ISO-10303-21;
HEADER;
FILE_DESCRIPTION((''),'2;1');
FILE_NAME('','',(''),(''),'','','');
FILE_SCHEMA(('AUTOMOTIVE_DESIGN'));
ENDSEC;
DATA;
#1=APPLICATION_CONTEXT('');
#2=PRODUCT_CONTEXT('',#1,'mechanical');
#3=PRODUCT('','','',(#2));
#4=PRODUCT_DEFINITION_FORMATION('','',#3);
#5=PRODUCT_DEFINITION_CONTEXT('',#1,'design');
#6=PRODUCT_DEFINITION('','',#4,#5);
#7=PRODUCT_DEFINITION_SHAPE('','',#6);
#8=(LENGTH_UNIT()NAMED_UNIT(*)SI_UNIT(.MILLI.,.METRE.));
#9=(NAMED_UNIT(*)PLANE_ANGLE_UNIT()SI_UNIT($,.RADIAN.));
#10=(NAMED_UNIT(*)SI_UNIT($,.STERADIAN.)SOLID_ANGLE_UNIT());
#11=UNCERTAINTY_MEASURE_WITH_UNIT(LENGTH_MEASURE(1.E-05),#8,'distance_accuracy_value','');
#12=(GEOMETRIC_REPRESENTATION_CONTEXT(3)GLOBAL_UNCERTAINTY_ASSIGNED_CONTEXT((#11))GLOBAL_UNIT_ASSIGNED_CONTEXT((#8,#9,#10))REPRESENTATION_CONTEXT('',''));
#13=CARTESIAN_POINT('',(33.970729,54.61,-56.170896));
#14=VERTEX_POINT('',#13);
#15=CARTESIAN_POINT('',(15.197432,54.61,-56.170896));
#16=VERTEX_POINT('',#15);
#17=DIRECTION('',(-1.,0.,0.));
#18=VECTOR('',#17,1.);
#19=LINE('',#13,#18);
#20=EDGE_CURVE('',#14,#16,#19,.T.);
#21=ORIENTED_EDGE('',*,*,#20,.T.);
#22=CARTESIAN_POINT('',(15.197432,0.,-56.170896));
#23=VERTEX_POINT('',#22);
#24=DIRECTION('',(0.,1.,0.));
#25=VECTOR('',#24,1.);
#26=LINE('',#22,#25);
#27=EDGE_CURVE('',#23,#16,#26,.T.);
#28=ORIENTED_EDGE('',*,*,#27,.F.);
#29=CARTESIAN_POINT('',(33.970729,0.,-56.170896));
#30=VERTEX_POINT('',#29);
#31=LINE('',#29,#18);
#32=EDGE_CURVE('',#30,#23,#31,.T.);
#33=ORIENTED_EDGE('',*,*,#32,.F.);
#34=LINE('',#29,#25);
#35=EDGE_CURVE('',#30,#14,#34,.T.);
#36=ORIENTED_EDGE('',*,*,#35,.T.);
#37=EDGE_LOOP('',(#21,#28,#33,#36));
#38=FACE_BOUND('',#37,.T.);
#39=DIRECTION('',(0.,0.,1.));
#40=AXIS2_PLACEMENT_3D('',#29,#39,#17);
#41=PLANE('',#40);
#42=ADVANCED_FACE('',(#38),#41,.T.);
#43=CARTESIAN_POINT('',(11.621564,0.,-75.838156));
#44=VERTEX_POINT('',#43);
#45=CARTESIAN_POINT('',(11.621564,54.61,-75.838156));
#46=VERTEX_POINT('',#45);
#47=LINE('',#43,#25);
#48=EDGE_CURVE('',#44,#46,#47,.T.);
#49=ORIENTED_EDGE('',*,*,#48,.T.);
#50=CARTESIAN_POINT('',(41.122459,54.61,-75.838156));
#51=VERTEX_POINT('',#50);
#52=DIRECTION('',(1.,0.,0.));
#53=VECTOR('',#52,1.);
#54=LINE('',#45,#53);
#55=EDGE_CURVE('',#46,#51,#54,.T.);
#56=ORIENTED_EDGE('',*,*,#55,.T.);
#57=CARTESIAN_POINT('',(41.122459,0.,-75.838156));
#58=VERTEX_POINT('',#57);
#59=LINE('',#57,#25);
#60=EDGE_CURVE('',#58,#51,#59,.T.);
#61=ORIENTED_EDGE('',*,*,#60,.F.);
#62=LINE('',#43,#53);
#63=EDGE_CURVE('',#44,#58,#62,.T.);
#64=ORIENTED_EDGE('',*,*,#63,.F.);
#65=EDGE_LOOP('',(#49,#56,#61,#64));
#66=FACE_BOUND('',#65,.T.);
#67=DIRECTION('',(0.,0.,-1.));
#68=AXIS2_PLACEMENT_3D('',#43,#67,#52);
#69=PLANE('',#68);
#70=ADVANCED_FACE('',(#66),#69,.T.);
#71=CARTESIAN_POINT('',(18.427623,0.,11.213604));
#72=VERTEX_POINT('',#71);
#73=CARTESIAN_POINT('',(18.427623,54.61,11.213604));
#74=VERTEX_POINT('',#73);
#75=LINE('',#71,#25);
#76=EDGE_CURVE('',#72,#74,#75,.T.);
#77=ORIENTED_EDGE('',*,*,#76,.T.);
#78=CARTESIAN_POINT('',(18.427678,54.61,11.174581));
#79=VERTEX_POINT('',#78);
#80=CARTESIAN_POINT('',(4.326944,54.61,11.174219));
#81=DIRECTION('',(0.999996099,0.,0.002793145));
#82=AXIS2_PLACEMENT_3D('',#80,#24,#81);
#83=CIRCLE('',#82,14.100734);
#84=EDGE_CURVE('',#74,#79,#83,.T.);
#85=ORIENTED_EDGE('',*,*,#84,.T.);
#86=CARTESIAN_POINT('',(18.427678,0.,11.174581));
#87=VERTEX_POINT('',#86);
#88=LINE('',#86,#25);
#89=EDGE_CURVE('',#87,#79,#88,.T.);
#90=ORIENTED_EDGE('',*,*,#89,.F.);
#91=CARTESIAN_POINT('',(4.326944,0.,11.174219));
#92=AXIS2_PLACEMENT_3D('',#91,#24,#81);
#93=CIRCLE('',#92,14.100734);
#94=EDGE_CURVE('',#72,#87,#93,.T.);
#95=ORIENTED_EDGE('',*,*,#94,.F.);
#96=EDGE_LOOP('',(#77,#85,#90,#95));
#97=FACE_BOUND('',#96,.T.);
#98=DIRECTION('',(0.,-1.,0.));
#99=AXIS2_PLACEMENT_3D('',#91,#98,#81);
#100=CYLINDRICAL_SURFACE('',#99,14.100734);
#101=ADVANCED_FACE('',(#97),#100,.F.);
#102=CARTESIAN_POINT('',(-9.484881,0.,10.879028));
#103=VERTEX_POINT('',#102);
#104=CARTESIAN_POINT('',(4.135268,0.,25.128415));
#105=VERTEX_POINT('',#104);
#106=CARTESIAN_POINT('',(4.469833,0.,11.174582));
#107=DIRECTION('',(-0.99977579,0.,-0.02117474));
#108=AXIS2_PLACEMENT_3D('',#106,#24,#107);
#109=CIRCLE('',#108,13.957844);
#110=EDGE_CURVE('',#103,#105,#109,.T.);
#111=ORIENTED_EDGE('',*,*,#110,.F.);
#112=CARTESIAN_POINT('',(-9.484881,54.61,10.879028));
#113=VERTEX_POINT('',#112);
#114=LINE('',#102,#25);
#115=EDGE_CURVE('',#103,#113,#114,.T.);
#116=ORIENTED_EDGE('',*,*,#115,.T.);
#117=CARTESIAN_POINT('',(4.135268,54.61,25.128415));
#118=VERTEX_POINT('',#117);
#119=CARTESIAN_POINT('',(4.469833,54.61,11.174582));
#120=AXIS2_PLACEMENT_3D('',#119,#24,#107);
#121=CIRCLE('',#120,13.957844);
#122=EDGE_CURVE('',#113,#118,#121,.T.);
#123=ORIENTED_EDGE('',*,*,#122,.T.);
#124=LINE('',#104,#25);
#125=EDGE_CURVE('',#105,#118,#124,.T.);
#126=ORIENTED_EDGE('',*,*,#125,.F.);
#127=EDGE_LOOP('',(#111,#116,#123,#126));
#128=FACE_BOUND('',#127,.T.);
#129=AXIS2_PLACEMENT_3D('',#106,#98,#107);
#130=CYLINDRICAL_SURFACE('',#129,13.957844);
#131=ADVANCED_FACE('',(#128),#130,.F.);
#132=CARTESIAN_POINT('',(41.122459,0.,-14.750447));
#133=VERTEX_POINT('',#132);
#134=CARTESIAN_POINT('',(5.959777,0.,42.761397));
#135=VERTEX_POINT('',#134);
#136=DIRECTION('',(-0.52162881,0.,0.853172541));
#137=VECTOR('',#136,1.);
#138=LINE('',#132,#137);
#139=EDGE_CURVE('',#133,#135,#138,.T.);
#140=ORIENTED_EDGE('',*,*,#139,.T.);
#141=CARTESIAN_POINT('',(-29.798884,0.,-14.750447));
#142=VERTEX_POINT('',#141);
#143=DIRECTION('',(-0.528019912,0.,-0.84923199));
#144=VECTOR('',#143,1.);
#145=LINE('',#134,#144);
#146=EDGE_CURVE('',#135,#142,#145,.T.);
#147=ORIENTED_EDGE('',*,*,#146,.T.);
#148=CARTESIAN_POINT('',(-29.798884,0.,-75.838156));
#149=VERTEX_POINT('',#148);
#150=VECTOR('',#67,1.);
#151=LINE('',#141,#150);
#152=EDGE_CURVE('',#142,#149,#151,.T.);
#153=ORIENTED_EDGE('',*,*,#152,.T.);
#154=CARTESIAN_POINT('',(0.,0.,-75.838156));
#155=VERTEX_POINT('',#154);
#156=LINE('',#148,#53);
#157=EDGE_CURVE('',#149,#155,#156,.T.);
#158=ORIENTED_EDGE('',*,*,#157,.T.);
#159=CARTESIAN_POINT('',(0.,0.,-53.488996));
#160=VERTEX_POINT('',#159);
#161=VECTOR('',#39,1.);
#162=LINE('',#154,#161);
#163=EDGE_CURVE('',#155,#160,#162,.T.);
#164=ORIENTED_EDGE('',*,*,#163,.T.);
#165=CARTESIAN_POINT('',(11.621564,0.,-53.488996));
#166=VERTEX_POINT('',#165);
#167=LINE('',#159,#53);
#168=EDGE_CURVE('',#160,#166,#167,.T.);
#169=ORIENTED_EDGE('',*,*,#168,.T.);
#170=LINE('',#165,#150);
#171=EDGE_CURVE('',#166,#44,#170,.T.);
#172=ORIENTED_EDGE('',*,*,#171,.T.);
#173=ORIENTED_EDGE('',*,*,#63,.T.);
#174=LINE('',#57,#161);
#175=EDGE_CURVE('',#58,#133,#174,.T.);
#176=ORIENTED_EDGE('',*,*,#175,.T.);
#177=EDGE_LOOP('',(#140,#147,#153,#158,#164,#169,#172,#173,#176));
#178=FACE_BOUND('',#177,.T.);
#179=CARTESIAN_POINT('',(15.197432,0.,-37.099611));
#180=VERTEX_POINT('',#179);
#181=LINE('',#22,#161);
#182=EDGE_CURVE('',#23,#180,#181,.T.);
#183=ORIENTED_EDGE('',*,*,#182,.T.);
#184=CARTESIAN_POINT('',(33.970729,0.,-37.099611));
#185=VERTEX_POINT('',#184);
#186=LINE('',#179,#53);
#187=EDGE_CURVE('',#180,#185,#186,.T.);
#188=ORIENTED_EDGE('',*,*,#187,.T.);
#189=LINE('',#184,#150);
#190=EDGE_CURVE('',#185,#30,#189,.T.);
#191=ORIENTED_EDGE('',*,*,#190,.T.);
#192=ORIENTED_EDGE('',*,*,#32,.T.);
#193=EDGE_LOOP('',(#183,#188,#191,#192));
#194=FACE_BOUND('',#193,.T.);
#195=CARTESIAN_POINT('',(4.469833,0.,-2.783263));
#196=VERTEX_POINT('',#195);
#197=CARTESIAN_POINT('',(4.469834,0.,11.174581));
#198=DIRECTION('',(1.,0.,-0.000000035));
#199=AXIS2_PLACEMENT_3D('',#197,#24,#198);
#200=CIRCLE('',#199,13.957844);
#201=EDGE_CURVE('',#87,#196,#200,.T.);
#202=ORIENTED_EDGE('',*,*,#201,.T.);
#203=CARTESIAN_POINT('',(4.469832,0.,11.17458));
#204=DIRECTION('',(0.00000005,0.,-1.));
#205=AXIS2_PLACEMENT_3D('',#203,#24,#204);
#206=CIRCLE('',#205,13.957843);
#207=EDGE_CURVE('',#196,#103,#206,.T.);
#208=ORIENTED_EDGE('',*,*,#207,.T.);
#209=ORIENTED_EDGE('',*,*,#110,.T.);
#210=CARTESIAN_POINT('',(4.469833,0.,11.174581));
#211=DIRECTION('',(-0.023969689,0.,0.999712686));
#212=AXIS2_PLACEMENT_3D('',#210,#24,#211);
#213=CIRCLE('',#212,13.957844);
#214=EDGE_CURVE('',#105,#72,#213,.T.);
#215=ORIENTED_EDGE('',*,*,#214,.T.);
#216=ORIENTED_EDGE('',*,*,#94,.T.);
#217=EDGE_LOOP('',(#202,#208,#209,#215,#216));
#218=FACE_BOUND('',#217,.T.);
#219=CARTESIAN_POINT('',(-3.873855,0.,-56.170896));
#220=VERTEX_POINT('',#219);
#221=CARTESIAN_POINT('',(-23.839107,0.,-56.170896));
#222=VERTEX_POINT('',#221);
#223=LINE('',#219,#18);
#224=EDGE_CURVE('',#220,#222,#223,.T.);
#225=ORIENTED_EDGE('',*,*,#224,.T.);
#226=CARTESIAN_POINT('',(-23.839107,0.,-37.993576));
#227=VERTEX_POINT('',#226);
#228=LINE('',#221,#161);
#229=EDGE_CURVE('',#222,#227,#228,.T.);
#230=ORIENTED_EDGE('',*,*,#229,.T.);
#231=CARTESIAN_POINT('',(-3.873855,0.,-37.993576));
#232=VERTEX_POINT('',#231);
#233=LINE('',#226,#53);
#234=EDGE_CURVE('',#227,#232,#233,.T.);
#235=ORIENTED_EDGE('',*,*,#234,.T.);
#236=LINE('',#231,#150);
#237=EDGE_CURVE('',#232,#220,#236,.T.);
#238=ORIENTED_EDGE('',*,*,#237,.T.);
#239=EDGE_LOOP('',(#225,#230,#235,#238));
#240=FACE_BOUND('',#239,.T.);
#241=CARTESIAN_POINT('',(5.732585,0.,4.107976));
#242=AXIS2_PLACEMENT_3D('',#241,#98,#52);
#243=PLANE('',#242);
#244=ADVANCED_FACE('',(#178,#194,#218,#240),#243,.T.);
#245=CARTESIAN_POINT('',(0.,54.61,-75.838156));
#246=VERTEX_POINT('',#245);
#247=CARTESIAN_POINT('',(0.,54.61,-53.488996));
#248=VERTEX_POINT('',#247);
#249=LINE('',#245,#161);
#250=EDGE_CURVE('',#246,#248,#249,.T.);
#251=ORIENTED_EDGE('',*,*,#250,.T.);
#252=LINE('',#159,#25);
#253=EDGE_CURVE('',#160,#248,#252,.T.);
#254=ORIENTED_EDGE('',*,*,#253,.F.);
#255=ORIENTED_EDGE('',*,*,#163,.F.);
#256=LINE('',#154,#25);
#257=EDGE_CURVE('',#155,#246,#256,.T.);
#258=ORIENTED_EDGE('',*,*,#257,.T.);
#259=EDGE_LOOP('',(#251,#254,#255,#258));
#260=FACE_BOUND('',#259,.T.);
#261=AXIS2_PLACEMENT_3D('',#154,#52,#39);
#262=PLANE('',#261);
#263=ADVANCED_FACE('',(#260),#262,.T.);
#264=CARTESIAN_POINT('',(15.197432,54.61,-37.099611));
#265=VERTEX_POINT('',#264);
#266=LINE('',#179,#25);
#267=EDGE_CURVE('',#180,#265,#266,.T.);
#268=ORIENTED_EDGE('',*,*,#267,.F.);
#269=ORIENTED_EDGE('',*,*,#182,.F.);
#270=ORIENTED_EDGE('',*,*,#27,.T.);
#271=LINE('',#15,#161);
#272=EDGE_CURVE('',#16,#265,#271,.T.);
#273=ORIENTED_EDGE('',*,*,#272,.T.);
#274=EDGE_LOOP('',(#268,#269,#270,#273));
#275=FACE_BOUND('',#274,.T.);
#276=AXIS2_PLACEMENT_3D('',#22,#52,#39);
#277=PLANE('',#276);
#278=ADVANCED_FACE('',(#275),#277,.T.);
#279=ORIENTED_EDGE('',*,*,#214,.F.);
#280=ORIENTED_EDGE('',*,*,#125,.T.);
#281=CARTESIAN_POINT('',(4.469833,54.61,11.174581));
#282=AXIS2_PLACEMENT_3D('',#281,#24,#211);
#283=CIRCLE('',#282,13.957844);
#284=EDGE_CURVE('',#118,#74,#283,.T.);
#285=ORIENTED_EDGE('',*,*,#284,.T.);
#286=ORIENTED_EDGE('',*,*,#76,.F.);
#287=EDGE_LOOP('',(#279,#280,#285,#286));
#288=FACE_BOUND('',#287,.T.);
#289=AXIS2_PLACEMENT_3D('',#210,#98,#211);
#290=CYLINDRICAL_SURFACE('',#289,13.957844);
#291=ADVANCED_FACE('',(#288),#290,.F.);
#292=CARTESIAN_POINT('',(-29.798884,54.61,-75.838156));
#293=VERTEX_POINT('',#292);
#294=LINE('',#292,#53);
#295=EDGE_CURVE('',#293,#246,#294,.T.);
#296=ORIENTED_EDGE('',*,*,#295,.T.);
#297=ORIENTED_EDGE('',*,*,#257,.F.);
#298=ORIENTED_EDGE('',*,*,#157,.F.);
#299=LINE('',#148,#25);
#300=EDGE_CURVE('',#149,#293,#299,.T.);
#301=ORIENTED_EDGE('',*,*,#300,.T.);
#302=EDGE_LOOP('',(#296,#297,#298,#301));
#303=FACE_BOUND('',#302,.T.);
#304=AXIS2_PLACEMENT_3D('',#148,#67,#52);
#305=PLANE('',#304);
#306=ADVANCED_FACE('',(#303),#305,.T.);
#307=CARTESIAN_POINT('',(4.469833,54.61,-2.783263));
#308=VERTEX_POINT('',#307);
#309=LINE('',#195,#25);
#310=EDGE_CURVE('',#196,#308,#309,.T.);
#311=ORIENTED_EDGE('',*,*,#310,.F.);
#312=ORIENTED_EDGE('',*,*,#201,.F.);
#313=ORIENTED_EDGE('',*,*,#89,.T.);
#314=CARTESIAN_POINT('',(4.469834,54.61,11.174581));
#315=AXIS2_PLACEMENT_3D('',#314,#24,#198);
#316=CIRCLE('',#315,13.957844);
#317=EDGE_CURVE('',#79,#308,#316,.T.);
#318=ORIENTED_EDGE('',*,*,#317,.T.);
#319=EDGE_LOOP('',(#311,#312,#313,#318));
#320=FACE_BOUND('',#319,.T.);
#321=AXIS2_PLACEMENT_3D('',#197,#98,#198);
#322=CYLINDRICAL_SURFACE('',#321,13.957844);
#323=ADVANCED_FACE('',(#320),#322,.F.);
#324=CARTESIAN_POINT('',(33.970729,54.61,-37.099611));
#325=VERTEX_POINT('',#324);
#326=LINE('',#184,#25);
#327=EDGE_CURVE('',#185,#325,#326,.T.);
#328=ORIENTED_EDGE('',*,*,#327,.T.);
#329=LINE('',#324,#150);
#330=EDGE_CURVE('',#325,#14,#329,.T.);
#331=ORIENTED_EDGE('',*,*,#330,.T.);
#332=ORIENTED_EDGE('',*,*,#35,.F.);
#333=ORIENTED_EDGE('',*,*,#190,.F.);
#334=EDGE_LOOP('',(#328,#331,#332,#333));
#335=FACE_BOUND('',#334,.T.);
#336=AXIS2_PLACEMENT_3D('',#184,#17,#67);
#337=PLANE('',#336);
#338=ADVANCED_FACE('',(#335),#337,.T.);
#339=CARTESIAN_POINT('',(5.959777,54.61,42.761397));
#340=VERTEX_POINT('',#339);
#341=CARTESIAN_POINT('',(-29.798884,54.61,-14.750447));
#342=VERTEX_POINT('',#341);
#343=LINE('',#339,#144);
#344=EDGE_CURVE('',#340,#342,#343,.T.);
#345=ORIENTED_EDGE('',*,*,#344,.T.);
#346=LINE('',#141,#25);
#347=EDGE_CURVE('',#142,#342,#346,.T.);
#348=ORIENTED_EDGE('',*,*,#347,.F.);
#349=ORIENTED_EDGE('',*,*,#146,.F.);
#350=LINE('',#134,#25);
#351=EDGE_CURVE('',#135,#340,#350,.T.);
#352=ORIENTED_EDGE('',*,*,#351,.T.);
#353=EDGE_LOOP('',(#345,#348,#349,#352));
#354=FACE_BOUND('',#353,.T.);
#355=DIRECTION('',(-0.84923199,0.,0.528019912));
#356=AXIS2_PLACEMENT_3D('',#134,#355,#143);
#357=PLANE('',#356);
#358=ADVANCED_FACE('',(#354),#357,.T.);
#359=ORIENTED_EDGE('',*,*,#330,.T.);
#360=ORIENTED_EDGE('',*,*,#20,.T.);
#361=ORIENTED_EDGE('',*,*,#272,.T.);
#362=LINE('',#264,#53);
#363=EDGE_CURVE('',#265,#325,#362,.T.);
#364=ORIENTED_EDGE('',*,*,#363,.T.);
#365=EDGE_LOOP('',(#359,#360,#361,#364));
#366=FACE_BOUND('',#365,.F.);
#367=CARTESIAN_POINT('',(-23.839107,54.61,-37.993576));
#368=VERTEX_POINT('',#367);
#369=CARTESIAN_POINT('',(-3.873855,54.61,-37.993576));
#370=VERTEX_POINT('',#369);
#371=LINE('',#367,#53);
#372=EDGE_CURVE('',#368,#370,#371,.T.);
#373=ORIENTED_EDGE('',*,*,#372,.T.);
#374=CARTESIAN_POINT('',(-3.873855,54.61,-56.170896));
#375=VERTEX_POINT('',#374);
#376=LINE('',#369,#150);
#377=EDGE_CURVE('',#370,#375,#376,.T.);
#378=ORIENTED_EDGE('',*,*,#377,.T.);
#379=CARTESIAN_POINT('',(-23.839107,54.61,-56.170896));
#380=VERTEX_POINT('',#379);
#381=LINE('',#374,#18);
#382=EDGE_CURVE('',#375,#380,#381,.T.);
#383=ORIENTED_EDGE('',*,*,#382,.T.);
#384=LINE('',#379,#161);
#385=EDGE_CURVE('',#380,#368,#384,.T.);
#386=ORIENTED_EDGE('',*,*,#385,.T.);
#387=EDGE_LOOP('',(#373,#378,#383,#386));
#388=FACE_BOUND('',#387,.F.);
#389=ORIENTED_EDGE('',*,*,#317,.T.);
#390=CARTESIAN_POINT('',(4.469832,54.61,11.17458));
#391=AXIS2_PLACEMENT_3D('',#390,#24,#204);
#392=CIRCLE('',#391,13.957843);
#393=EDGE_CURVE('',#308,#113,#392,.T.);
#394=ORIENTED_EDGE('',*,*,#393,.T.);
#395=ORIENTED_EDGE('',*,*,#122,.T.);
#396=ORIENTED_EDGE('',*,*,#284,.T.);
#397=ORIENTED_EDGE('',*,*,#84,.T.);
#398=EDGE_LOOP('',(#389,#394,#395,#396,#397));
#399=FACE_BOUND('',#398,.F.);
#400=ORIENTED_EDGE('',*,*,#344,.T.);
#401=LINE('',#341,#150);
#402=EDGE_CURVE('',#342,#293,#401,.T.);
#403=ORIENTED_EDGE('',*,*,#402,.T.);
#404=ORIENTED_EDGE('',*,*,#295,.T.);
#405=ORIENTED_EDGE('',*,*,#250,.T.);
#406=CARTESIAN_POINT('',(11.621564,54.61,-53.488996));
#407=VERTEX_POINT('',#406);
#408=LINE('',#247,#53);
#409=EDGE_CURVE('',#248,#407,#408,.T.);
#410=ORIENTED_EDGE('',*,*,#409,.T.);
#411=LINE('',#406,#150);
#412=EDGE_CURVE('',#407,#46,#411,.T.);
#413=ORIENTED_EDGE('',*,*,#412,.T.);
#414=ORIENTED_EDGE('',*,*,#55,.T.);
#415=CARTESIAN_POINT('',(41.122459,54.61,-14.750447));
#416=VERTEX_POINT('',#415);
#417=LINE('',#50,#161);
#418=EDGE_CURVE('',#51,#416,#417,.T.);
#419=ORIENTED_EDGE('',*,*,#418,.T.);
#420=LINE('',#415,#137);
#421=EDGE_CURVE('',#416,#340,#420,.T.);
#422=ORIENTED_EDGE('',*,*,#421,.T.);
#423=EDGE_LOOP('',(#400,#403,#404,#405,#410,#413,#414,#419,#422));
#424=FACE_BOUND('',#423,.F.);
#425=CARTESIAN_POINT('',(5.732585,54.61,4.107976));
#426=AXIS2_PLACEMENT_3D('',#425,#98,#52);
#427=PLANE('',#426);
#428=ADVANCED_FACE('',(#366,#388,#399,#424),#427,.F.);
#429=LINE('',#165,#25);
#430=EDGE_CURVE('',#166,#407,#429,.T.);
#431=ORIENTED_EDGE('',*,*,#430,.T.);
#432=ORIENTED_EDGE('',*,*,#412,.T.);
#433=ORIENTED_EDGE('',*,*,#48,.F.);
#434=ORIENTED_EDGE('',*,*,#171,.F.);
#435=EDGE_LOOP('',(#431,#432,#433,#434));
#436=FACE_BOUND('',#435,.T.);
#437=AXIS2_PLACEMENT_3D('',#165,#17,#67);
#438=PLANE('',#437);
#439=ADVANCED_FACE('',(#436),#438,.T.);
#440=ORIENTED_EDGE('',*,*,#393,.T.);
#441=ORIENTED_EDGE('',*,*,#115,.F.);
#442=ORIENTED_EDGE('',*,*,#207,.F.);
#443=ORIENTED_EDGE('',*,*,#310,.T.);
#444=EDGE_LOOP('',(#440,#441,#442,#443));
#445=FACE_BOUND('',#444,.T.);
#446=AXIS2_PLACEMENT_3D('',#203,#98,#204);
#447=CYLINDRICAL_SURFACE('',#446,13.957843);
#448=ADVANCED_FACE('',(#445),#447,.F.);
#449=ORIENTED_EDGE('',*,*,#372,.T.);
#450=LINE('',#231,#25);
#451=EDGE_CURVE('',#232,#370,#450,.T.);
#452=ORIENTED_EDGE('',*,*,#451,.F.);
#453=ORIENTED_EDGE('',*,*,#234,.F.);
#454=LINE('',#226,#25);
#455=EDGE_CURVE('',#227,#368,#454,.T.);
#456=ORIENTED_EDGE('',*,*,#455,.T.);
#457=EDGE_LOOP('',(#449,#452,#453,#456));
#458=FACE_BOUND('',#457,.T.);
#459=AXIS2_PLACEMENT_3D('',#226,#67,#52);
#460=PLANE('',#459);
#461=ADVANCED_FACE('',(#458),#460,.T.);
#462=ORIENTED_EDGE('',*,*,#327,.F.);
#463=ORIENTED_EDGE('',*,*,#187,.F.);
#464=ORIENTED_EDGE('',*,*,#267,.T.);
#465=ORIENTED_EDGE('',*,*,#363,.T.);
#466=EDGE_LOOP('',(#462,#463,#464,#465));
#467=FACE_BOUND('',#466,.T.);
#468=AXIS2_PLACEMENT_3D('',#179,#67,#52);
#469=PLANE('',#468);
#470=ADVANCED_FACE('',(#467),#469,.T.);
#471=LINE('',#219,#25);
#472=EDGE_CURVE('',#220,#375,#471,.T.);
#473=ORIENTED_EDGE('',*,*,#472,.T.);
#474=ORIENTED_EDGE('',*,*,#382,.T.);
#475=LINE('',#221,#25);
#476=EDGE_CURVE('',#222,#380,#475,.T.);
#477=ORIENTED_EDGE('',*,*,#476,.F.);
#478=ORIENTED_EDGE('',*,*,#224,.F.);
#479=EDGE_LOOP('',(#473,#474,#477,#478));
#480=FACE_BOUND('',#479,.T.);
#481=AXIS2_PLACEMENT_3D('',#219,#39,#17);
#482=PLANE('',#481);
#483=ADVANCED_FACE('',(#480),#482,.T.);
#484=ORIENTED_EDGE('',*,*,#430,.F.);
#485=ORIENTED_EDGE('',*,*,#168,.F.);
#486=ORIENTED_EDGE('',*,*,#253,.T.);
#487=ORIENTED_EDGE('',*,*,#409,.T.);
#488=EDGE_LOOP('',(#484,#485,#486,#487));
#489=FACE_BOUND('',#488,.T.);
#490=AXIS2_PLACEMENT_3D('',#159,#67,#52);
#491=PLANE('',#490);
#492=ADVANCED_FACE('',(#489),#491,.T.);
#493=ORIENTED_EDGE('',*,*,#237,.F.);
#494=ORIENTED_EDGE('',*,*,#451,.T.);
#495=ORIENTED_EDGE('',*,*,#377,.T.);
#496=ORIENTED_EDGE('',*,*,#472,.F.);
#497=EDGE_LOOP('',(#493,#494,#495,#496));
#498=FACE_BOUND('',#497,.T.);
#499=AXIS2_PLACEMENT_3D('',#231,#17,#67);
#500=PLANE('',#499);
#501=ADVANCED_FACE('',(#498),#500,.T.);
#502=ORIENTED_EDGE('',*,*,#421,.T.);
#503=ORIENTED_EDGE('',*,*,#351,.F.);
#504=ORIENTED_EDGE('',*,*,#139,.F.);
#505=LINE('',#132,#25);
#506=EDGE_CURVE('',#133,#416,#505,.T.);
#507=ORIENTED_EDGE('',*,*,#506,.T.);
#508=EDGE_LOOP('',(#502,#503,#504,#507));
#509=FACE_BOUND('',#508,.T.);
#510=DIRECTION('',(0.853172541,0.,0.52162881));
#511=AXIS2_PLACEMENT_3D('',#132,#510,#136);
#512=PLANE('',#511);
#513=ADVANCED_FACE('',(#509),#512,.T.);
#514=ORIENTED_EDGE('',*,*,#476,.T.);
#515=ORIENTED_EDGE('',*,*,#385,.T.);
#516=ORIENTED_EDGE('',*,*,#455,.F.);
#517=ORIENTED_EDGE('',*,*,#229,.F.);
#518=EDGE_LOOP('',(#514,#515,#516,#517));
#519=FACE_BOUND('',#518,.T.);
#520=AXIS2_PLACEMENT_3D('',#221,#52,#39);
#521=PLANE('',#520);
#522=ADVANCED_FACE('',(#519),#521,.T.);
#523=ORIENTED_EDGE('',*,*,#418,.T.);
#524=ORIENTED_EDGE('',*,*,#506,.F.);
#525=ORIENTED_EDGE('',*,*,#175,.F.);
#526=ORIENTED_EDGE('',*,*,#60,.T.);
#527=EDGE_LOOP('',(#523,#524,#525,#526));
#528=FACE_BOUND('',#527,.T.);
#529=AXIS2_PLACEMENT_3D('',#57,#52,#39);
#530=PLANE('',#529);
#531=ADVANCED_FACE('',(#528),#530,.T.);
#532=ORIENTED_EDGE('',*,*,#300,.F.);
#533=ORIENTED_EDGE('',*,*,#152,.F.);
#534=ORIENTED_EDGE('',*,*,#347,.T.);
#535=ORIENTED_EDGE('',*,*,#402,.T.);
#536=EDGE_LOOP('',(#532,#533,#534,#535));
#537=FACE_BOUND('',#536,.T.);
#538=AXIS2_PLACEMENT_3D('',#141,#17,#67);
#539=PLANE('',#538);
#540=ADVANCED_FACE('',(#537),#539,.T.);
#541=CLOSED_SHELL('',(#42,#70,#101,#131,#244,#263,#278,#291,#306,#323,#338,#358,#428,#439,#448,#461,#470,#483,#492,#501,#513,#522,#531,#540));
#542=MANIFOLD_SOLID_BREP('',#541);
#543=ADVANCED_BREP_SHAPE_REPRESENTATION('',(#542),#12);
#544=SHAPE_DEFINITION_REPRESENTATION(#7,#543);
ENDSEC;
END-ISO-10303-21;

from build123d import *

# Parameters (mm, degrees)
F1_DEPTH = 54.61


with BuildPart() as f1:
    # F0 (on Front) → F1 (new body)
    with BuildSketch(Plane.XZ):
        Polygon((5.959777, 42.761397), (-29.798884, -14.750447), (41.122459, -14.750447), align=None)
        with BuildLine():
            ThreePointArc((18.427623, 11.213604), (18.427664, 11.194092), (18.427678, 11.174581))
            ThreePointArc((18.427678, 11.174581), (14.33952, 1.304895), (4.469833, -2.783263))
            ThreePointArc((4.469833, -2.783263), (-5.2948, 1.200948), (-9.484881, 10.879028))
            ThreePointArc((-9.484881, 10.879028), (-5.620119, 20.818972), (4.135268, 25.128415))
            ThreePointArc((4.135268, 25.128415), (14.206545, 21.175474), (18.427623, 11.213604))
        make_face(mode=Mode.SUBTRACT)
        Polygon((41.122459, -14.750447), (-29.798884, -14.750447), (-29.798884, -75.838156), (0, -75.838156), (0, -53.488996), (11.621564, -53.488996), (11.621564, -75.838156), (41.122459, -75.838156), align=None)
        Polygon((-23.839107, -47.082236), (-23.839107, -37.993576), (-13.856481, -37.993576), (-3.873855, -37.993576), (-3.873855, -47.082236), (-3.873855, -56.170896), (-13.856481, -56.170896), (-23.839107, -56.170896), align=None, mode=Mode.SUBTRACT)
        Polygon((24.58408, -37.099611), (33.970729, -37.099611), (33.970729, -46.635253), (33.970729, -56.170896), (24.58408, -56.170896), (15.197432, -56.170896), (15.197432, -46.635253), (15.197432, -37.099611), align=None, mode=Mode.SUBTRACT)
    extrude(amount=-F1_DEPTH)


solid = f1.part
